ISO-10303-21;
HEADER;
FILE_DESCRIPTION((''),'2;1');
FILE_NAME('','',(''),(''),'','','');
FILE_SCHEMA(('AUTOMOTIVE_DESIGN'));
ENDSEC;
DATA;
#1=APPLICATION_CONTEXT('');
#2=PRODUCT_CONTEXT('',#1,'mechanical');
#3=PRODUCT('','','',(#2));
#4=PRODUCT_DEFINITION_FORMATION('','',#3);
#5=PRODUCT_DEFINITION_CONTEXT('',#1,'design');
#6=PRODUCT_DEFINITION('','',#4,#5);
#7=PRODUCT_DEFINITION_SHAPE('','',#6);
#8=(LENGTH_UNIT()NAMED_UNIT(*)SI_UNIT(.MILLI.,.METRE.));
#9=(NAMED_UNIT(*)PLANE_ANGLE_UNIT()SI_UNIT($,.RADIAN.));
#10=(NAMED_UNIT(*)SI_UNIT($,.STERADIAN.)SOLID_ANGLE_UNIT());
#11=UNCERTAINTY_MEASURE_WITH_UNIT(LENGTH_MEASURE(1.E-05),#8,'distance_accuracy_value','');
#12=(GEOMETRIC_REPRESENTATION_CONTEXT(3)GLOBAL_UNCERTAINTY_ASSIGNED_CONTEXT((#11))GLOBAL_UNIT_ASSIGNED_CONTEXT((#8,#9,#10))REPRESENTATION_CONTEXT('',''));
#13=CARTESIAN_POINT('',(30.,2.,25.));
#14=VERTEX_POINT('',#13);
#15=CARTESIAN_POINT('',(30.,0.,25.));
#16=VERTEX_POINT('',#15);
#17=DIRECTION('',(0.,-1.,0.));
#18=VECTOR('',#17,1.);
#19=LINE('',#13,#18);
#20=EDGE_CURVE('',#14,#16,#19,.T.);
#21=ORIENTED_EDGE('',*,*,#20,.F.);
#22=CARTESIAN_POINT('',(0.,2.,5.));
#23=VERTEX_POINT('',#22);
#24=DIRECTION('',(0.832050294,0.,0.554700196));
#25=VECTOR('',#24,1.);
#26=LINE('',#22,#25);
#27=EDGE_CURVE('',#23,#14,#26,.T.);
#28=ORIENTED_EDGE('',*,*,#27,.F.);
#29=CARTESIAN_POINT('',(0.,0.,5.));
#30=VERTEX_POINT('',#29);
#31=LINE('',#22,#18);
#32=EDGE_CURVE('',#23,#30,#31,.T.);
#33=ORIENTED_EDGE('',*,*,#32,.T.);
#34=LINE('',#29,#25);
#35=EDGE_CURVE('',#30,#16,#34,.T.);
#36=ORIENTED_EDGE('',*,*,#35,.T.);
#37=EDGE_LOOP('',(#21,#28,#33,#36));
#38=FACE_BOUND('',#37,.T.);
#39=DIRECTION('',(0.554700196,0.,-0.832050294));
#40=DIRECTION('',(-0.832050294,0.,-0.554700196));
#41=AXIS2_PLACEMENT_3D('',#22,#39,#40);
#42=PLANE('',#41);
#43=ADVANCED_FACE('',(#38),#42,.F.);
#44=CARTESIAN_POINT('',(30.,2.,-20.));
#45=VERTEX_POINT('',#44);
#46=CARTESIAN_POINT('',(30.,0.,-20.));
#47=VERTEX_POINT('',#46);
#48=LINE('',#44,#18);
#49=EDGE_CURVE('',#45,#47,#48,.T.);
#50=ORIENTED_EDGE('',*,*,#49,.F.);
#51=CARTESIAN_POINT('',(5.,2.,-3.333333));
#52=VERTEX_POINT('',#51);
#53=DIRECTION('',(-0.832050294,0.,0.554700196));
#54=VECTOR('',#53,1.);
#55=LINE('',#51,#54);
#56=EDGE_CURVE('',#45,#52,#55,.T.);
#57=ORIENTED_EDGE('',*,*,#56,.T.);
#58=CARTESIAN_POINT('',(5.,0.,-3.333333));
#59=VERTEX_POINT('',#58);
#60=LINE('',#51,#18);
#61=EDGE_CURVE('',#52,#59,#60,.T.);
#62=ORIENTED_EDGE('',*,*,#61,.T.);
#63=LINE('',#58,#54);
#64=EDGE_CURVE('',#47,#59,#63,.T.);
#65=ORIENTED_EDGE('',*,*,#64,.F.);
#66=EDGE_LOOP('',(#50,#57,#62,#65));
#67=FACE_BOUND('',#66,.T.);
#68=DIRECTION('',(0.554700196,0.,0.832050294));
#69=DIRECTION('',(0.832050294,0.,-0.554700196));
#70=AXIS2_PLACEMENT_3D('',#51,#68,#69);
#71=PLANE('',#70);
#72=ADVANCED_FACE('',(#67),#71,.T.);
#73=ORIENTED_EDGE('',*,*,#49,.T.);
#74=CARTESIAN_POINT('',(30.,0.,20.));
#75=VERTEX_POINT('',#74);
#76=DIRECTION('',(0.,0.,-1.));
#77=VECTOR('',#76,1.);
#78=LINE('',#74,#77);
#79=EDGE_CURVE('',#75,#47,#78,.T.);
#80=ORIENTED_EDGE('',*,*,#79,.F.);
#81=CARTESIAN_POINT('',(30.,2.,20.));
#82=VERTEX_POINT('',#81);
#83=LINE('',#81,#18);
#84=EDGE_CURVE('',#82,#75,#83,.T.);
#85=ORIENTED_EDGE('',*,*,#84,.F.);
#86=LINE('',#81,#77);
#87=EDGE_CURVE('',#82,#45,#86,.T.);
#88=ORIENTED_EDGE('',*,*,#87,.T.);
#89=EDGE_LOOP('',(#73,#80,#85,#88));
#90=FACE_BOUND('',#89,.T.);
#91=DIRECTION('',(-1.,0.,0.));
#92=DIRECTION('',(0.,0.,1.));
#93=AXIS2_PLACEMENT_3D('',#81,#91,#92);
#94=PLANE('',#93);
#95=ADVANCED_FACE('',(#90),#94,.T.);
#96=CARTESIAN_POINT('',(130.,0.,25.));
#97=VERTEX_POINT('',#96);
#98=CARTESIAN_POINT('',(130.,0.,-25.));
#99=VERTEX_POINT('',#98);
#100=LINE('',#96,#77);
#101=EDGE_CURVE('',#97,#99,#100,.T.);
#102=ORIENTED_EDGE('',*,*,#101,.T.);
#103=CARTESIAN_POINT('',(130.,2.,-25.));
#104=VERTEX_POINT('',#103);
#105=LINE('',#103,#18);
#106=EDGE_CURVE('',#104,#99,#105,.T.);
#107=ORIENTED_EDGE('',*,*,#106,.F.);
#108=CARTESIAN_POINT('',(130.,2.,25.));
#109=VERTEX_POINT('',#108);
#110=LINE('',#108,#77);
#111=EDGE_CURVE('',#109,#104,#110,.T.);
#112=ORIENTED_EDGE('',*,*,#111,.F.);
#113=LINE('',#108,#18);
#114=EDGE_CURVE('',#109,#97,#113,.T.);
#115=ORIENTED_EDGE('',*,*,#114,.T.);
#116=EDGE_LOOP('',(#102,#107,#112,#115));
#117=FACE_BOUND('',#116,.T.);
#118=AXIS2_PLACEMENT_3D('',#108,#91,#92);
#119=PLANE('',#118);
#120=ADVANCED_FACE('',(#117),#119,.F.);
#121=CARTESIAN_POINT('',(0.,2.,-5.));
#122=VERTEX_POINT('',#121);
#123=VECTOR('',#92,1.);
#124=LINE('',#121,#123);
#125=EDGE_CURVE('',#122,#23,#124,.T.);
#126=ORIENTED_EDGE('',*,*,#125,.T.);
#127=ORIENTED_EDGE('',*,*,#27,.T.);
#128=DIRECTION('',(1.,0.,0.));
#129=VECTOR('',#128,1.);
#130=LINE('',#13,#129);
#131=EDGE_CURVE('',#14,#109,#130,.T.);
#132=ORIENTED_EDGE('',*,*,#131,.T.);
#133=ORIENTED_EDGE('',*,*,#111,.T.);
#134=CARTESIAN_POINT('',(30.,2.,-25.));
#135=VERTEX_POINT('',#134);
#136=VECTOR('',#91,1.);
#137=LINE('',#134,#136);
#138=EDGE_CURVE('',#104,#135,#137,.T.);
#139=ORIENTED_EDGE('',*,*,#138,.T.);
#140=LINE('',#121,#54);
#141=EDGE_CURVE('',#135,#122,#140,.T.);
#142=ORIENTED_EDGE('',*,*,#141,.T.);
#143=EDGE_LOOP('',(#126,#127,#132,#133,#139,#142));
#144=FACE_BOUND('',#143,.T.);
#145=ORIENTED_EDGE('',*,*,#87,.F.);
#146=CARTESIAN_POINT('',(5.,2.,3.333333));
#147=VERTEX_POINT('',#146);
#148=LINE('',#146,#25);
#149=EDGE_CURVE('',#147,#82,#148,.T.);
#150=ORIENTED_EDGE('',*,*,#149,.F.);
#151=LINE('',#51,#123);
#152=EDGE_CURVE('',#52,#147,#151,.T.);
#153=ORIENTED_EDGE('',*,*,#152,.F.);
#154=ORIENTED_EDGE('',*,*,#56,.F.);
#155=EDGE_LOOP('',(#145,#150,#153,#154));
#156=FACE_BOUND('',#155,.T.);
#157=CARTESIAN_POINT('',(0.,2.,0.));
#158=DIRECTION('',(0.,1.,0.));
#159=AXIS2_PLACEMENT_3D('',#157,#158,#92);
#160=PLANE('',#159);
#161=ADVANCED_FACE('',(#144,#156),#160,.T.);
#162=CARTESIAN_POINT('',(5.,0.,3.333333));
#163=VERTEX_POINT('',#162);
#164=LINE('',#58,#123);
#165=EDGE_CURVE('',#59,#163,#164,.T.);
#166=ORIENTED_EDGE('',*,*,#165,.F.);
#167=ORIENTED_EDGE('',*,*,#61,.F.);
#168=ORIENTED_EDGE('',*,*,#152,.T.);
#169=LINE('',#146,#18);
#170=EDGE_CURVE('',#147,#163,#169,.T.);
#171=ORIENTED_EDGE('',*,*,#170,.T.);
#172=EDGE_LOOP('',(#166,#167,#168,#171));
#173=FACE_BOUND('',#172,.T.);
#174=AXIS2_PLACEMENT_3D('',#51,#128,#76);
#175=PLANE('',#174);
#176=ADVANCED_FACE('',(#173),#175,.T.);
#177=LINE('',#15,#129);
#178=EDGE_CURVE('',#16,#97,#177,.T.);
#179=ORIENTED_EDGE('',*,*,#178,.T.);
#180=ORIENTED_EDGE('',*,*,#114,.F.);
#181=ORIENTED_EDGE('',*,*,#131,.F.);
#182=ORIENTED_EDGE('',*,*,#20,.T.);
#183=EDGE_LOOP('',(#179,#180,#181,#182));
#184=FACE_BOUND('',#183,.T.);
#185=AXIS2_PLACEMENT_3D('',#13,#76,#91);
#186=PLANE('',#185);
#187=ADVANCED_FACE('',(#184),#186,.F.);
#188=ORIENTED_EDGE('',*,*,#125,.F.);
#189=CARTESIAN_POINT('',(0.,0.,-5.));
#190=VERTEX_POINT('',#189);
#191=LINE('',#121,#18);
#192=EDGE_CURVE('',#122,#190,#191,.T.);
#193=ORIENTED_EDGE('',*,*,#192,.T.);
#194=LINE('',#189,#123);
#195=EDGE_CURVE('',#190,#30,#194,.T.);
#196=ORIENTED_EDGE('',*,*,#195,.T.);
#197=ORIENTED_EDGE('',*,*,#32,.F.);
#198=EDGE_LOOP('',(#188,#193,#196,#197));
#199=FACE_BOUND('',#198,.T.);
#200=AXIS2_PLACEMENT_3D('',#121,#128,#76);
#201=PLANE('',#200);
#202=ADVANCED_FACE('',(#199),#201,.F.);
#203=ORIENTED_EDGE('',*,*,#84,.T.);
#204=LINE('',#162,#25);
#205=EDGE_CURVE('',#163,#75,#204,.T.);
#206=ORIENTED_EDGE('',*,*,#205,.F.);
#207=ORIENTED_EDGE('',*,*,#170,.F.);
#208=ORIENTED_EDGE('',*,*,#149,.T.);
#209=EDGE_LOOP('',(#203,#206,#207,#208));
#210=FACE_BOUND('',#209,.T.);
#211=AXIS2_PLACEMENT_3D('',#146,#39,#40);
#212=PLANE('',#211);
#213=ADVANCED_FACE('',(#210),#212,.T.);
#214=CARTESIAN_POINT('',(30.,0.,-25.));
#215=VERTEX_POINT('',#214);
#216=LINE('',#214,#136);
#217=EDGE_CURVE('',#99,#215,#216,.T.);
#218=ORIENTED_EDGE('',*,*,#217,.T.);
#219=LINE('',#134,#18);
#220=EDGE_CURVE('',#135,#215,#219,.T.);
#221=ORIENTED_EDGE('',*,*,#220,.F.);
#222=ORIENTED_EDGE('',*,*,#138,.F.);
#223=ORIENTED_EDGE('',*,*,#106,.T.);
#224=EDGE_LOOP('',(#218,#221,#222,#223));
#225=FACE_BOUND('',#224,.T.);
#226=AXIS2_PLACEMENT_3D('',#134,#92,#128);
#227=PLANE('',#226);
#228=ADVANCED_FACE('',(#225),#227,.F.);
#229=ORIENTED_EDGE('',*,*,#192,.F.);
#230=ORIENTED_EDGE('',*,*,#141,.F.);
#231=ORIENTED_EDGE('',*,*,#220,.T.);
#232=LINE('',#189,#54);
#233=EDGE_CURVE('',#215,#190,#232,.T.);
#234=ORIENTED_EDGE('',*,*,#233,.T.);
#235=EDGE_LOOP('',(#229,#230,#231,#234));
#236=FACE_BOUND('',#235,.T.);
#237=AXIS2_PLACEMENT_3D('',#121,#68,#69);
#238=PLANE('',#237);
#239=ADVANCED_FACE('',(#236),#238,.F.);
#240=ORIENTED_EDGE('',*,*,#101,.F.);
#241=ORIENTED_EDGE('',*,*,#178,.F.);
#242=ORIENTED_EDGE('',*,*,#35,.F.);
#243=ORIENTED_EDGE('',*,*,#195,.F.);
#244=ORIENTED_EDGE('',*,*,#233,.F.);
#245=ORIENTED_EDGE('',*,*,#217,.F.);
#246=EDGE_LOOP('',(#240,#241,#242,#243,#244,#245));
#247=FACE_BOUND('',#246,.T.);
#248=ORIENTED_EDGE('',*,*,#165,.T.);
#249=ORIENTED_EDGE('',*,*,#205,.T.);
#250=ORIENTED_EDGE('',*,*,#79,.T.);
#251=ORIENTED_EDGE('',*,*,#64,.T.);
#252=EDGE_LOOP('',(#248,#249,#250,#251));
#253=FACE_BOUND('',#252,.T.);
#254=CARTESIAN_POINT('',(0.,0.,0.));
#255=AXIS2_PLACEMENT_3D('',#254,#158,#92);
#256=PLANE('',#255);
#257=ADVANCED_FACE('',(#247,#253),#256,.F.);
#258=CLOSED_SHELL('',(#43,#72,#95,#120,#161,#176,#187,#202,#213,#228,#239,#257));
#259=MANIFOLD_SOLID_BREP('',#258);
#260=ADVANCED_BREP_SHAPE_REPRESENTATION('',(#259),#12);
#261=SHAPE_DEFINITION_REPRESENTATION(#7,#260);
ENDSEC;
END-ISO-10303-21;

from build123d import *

# Parameters (mm, degrees)
BOSS_EXTRUDE1_DEPTH = 2


with BuildPart() as part:
    # Sketch1 → Boss-Extrude1 (new body)
    with BuildSketch(Plane(origin=(0, 0, 0), x_dir=(1, 0, 0), z_dir=(0, 1, 0))):
        Polygon((0, 5), (30, 25), (130, 25), (130, -25), (30, -25), (0, -5), align=None)
        Polygon((30, -20), (30, 20), (5, 3.333333333), (5, -3.333333333), align=None, mode=Mode.SUBTRACT)
    extrude(amount=BOSS_EXTRUDE1_DEPTH)


solid = part.part
